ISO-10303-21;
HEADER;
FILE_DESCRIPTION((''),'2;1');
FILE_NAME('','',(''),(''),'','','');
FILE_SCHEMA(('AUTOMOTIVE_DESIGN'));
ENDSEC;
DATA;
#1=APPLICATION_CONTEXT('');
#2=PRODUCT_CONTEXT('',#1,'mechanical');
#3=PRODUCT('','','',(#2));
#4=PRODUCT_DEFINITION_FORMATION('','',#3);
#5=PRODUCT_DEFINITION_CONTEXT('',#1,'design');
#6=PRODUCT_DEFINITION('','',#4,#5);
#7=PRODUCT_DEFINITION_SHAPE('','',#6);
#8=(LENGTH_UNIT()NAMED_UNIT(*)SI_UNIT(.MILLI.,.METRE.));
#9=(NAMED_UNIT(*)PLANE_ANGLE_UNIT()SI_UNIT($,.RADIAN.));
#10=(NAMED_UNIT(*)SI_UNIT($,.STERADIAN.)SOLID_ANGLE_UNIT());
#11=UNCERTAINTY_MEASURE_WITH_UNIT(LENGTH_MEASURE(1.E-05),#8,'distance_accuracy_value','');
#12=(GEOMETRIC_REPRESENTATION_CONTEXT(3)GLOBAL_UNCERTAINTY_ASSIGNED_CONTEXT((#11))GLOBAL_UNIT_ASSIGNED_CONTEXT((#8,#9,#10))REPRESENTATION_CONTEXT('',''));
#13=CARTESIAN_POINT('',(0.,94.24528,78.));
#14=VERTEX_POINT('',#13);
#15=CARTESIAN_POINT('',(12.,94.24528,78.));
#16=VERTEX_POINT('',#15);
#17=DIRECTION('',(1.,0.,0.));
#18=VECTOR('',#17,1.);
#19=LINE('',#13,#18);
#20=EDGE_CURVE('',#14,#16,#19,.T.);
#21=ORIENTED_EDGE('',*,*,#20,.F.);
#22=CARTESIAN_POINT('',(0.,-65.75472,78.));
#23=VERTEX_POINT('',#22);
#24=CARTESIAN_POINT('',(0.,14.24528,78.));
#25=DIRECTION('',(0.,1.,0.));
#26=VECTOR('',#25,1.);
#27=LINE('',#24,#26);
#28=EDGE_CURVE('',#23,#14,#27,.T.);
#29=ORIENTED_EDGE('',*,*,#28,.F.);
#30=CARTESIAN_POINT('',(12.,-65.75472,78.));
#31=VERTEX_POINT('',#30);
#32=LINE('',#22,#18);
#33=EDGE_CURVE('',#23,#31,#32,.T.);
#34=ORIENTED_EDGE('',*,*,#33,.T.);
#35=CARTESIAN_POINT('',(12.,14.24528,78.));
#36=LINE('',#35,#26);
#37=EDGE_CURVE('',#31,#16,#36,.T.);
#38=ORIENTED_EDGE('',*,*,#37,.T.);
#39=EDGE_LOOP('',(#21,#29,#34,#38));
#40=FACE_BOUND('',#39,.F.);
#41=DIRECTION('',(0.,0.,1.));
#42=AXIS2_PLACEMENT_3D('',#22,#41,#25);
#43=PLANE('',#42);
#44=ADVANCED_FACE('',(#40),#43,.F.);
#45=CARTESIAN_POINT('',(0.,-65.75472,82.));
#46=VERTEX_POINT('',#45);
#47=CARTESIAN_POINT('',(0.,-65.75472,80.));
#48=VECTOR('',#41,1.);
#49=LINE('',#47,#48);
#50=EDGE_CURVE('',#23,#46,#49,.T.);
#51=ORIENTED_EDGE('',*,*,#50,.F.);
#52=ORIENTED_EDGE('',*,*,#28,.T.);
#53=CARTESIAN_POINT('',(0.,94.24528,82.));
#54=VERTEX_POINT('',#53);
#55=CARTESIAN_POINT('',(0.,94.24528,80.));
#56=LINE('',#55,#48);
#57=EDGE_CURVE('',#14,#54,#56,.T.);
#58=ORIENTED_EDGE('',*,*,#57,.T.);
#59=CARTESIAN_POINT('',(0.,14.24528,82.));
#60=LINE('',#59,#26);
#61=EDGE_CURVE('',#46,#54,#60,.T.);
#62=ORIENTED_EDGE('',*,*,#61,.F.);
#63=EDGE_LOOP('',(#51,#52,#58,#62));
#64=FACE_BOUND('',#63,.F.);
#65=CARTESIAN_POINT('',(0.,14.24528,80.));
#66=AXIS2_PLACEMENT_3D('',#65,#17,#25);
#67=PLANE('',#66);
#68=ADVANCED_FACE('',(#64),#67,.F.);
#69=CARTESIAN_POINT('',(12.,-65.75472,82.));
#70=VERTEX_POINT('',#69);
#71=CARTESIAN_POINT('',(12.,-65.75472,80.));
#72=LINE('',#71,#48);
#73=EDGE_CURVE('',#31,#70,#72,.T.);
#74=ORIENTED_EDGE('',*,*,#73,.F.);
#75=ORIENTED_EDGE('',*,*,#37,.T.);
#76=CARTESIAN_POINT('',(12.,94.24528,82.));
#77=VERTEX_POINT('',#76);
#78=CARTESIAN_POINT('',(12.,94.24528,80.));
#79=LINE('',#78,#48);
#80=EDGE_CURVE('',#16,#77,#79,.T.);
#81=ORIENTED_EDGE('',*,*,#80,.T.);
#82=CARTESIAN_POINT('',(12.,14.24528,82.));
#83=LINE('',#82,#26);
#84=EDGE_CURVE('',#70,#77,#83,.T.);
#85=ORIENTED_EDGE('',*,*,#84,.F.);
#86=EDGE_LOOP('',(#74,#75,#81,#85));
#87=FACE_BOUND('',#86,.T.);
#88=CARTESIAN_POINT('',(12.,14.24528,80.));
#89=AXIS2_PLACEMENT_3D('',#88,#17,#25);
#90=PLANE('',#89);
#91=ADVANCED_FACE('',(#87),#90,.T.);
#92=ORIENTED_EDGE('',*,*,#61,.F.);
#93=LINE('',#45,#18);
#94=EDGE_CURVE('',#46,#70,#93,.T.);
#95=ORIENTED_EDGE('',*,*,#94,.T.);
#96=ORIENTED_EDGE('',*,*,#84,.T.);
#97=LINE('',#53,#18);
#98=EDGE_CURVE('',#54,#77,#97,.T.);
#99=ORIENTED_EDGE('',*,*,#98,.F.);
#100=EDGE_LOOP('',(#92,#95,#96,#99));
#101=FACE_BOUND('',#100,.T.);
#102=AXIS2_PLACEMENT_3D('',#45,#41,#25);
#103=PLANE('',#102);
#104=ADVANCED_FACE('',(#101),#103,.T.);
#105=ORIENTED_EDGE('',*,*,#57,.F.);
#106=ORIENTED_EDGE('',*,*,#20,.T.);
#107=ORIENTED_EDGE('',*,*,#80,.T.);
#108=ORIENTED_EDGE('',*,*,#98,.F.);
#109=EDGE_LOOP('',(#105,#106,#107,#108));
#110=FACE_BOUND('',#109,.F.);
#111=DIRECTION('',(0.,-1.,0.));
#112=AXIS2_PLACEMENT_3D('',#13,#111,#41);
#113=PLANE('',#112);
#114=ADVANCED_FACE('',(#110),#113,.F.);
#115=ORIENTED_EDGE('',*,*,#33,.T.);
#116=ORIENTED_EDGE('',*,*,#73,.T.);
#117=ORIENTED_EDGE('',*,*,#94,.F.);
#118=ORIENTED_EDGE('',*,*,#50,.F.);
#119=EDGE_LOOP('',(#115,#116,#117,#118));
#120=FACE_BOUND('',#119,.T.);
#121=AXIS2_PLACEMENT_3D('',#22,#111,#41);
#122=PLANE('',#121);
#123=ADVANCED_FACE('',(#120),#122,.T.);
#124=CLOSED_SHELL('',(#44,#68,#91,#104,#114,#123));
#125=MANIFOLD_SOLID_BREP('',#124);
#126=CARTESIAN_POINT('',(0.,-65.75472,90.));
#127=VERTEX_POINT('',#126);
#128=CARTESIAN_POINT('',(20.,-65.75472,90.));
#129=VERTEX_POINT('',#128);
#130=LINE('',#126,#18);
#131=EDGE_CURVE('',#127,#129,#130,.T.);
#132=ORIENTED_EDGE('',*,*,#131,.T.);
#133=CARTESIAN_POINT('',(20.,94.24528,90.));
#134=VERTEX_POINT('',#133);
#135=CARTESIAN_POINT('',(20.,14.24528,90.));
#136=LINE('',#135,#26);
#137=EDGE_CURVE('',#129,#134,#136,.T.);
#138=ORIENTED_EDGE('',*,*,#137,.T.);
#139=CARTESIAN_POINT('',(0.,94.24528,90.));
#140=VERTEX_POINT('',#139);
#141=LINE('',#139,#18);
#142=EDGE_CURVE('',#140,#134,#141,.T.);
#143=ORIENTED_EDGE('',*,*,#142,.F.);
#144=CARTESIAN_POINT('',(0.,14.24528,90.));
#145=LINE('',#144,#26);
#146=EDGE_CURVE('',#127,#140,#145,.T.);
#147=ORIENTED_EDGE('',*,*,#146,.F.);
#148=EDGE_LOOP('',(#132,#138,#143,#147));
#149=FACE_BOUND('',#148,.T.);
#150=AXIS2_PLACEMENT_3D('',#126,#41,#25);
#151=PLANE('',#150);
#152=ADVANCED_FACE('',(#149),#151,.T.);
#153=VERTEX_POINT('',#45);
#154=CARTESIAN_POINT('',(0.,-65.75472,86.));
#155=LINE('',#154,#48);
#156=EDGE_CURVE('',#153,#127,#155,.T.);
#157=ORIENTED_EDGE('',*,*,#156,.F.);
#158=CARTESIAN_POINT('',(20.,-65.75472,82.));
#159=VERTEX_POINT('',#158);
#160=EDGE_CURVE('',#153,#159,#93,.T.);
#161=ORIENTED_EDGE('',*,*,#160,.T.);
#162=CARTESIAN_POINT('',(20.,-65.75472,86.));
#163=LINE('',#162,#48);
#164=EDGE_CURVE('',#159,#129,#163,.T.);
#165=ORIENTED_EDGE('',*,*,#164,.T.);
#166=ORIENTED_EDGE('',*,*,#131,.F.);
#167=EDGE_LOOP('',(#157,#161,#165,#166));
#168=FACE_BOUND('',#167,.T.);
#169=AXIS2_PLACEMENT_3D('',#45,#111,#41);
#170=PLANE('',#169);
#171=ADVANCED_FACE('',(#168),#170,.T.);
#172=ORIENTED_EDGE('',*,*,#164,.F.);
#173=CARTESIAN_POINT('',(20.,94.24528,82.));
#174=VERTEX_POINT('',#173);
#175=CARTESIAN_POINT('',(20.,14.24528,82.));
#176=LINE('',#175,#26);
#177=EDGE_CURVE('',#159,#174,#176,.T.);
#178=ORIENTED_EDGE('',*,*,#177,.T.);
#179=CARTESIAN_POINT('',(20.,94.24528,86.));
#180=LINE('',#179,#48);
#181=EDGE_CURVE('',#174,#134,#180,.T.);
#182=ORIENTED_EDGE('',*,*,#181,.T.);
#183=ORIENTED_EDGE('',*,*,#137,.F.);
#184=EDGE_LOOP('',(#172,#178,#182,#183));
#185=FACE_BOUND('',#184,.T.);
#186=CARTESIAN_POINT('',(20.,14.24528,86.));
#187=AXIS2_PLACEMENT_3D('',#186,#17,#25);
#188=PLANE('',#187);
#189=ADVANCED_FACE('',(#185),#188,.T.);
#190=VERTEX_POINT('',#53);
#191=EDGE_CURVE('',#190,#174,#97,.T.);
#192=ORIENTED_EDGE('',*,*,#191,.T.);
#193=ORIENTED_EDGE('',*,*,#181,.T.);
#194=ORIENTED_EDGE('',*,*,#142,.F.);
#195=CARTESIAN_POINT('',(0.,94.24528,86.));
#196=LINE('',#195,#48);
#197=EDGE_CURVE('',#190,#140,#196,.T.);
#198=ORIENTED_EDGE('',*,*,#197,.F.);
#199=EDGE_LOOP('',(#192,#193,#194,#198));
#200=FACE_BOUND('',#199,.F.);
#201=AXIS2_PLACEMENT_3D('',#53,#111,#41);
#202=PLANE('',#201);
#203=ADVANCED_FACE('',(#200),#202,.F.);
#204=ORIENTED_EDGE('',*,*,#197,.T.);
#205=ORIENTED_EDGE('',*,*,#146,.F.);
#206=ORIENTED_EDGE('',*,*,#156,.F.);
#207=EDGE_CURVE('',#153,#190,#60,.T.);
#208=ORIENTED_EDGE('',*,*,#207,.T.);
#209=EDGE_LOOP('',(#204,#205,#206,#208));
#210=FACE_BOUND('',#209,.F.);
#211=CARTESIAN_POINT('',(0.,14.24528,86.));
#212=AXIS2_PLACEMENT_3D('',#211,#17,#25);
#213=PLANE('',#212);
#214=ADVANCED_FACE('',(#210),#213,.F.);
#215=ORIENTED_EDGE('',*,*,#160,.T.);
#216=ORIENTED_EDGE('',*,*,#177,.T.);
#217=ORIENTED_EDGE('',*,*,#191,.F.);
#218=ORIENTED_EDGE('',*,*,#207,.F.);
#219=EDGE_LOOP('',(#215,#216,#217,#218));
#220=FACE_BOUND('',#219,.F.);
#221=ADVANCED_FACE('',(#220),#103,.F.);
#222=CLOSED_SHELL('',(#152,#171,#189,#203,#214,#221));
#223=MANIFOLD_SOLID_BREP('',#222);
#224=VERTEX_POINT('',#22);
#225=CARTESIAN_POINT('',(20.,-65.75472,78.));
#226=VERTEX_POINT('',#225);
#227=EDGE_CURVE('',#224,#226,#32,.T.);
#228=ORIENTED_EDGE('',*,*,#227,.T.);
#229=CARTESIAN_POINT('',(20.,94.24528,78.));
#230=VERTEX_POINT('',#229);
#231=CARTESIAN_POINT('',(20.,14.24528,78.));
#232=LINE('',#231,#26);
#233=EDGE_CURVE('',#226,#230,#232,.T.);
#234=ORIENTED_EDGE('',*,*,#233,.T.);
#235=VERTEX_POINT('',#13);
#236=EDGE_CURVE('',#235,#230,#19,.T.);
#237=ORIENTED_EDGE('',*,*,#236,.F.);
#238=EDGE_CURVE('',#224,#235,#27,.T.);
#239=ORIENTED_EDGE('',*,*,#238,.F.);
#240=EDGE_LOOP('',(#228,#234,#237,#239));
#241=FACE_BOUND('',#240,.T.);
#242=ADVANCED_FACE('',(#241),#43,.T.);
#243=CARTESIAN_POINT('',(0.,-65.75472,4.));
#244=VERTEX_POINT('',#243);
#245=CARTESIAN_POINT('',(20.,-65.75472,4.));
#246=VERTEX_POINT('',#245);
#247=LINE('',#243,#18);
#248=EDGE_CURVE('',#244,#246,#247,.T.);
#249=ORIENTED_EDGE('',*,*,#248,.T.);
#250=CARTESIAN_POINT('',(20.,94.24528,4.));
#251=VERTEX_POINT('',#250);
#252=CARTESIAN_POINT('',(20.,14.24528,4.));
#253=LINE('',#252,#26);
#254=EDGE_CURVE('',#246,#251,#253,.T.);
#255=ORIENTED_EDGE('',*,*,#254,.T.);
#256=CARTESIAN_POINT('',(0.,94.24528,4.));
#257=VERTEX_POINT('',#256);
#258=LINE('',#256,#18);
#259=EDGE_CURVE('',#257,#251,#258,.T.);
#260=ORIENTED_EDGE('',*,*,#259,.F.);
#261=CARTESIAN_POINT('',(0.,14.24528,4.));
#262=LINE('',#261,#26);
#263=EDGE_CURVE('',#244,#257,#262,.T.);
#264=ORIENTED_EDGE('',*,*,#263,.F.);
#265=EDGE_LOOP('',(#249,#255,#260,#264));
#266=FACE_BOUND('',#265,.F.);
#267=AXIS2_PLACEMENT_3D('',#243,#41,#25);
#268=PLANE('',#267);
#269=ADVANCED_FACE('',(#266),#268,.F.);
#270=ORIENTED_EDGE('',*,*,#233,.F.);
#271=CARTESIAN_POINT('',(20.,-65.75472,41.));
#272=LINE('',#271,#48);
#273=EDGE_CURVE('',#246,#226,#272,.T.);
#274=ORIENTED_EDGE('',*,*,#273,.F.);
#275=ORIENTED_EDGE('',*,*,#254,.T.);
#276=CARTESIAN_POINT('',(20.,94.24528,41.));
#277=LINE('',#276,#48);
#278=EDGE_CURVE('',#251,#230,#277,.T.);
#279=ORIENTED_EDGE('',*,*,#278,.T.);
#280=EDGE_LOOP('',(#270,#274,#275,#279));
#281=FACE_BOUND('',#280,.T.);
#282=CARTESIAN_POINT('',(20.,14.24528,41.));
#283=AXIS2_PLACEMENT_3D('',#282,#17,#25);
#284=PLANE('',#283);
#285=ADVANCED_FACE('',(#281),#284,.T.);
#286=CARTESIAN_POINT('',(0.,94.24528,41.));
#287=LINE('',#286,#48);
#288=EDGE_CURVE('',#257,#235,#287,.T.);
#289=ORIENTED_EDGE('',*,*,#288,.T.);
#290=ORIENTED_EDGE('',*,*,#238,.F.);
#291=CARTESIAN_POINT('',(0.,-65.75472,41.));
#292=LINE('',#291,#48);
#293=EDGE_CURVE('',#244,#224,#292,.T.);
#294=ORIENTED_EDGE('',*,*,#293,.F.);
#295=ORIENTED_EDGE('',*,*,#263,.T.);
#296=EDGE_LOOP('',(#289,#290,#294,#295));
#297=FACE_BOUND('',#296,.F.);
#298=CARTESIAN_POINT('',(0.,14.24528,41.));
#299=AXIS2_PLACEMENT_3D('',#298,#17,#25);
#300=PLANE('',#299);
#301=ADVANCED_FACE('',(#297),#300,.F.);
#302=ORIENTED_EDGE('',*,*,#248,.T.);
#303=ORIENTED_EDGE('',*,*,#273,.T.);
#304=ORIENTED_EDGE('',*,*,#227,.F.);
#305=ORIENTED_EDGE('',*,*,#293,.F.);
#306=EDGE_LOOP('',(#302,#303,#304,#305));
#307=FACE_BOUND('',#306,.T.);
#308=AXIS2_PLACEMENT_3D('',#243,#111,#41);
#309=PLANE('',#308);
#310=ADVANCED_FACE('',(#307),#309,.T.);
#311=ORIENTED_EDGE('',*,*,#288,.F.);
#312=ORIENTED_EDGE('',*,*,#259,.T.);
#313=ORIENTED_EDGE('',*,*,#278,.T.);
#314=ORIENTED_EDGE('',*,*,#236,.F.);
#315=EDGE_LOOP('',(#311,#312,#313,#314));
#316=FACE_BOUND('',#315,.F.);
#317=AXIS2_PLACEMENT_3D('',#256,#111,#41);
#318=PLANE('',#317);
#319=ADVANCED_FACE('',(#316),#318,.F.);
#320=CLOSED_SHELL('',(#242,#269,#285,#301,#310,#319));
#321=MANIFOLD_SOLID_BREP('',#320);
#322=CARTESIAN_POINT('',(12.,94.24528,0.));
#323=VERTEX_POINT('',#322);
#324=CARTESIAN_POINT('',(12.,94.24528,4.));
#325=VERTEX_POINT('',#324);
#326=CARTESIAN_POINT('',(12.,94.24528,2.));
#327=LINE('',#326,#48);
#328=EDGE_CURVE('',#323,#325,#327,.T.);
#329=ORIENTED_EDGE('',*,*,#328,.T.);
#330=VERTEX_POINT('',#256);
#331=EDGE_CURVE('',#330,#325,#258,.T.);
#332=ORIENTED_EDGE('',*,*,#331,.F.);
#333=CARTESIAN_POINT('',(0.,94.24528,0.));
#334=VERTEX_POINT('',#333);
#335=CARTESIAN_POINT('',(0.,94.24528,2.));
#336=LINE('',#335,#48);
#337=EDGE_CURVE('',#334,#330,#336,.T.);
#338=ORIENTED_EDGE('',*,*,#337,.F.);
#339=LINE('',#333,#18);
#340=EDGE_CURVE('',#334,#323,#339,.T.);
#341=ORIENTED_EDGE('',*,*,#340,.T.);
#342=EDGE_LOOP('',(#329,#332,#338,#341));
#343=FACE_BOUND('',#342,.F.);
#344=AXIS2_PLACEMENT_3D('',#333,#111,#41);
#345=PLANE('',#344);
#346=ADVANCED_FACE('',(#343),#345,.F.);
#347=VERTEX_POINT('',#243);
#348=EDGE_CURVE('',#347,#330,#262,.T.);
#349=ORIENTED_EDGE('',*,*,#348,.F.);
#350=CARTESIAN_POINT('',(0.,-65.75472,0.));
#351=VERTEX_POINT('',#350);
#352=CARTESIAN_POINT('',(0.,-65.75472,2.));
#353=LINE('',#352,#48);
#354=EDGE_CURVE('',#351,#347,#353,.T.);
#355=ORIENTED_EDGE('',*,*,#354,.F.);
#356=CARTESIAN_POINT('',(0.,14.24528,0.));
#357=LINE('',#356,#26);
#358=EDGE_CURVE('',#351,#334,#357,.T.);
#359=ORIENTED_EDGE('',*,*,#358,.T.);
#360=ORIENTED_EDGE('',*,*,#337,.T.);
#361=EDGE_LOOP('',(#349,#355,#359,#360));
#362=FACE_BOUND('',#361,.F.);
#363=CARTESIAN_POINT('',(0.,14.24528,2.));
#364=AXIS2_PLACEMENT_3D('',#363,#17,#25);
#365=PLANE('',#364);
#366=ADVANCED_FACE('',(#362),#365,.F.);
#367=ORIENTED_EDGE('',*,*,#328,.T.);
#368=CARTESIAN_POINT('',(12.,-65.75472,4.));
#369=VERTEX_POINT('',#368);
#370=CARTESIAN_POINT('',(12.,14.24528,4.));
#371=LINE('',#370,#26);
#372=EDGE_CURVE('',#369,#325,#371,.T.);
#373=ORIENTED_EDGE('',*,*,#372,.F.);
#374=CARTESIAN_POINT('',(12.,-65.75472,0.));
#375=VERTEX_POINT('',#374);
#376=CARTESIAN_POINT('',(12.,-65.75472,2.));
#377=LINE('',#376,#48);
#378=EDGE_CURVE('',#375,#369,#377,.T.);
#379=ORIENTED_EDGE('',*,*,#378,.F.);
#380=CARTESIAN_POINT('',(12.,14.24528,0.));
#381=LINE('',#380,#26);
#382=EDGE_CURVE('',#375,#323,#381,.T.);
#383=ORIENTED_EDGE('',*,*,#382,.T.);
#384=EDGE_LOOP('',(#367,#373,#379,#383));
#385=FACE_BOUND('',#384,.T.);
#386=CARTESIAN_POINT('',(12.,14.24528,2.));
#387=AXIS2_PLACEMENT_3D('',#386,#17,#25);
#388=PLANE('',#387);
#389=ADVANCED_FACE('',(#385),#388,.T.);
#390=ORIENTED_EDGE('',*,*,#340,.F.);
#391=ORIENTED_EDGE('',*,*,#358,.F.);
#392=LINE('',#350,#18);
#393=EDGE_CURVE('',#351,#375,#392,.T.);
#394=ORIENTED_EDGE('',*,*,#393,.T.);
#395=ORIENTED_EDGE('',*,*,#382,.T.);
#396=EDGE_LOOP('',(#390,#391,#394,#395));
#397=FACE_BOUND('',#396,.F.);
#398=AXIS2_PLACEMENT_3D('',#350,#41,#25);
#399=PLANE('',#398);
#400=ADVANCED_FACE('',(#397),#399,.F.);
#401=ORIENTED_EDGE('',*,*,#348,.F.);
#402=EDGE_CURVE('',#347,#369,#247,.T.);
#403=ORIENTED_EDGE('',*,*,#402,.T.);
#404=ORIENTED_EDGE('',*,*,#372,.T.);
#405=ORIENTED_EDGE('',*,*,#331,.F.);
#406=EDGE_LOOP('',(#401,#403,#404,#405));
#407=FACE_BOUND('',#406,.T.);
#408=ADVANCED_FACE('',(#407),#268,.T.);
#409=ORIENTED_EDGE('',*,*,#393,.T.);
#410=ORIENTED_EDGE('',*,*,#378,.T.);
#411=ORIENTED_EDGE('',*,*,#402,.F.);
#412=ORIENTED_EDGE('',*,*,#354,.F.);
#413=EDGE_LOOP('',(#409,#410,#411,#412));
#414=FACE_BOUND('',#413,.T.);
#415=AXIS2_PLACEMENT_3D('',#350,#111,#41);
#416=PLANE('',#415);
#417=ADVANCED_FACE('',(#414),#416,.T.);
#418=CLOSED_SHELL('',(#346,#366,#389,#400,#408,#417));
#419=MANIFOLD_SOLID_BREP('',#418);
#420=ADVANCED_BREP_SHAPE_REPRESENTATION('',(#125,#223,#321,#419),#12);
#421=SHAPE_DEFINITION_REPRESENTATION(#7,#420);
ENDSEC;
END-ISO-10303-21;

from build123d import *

# Parameters (mm, degrees)
F0_W     = 160
F0_H     = 74
F0_H_2   = 8
F1_DEPTH = 20
F0_H_3   = 4
F2_DEPTH = 12


with BuildPart() as f1:
    # F0 (on Right) → F1 (new body)
    with BuildSketch(Plane.YZ):
        with Locations((14.24528, 41)):
            Rectangle(F0_W, F0_H)
        with Locations((14.24528, 86)):
            Rectangle(F0_W, F0_H_2)
    extrude(amount=F1_DEPTH)


with BuildPart() as f2:
    # F0 (on Right) → F2 (new body)
    with BuildSketch(Plane.YZ):
        with Locations((14.24528, 80)):
            Rectangle(F0_W, F0_H_3)
        with Locations((14.24528, 2)):
            Rectangle(F0_W, F0_H_3)
    extrude(amount=F2_DEPTH)


solid = Compound([f1.part, f2.part])
